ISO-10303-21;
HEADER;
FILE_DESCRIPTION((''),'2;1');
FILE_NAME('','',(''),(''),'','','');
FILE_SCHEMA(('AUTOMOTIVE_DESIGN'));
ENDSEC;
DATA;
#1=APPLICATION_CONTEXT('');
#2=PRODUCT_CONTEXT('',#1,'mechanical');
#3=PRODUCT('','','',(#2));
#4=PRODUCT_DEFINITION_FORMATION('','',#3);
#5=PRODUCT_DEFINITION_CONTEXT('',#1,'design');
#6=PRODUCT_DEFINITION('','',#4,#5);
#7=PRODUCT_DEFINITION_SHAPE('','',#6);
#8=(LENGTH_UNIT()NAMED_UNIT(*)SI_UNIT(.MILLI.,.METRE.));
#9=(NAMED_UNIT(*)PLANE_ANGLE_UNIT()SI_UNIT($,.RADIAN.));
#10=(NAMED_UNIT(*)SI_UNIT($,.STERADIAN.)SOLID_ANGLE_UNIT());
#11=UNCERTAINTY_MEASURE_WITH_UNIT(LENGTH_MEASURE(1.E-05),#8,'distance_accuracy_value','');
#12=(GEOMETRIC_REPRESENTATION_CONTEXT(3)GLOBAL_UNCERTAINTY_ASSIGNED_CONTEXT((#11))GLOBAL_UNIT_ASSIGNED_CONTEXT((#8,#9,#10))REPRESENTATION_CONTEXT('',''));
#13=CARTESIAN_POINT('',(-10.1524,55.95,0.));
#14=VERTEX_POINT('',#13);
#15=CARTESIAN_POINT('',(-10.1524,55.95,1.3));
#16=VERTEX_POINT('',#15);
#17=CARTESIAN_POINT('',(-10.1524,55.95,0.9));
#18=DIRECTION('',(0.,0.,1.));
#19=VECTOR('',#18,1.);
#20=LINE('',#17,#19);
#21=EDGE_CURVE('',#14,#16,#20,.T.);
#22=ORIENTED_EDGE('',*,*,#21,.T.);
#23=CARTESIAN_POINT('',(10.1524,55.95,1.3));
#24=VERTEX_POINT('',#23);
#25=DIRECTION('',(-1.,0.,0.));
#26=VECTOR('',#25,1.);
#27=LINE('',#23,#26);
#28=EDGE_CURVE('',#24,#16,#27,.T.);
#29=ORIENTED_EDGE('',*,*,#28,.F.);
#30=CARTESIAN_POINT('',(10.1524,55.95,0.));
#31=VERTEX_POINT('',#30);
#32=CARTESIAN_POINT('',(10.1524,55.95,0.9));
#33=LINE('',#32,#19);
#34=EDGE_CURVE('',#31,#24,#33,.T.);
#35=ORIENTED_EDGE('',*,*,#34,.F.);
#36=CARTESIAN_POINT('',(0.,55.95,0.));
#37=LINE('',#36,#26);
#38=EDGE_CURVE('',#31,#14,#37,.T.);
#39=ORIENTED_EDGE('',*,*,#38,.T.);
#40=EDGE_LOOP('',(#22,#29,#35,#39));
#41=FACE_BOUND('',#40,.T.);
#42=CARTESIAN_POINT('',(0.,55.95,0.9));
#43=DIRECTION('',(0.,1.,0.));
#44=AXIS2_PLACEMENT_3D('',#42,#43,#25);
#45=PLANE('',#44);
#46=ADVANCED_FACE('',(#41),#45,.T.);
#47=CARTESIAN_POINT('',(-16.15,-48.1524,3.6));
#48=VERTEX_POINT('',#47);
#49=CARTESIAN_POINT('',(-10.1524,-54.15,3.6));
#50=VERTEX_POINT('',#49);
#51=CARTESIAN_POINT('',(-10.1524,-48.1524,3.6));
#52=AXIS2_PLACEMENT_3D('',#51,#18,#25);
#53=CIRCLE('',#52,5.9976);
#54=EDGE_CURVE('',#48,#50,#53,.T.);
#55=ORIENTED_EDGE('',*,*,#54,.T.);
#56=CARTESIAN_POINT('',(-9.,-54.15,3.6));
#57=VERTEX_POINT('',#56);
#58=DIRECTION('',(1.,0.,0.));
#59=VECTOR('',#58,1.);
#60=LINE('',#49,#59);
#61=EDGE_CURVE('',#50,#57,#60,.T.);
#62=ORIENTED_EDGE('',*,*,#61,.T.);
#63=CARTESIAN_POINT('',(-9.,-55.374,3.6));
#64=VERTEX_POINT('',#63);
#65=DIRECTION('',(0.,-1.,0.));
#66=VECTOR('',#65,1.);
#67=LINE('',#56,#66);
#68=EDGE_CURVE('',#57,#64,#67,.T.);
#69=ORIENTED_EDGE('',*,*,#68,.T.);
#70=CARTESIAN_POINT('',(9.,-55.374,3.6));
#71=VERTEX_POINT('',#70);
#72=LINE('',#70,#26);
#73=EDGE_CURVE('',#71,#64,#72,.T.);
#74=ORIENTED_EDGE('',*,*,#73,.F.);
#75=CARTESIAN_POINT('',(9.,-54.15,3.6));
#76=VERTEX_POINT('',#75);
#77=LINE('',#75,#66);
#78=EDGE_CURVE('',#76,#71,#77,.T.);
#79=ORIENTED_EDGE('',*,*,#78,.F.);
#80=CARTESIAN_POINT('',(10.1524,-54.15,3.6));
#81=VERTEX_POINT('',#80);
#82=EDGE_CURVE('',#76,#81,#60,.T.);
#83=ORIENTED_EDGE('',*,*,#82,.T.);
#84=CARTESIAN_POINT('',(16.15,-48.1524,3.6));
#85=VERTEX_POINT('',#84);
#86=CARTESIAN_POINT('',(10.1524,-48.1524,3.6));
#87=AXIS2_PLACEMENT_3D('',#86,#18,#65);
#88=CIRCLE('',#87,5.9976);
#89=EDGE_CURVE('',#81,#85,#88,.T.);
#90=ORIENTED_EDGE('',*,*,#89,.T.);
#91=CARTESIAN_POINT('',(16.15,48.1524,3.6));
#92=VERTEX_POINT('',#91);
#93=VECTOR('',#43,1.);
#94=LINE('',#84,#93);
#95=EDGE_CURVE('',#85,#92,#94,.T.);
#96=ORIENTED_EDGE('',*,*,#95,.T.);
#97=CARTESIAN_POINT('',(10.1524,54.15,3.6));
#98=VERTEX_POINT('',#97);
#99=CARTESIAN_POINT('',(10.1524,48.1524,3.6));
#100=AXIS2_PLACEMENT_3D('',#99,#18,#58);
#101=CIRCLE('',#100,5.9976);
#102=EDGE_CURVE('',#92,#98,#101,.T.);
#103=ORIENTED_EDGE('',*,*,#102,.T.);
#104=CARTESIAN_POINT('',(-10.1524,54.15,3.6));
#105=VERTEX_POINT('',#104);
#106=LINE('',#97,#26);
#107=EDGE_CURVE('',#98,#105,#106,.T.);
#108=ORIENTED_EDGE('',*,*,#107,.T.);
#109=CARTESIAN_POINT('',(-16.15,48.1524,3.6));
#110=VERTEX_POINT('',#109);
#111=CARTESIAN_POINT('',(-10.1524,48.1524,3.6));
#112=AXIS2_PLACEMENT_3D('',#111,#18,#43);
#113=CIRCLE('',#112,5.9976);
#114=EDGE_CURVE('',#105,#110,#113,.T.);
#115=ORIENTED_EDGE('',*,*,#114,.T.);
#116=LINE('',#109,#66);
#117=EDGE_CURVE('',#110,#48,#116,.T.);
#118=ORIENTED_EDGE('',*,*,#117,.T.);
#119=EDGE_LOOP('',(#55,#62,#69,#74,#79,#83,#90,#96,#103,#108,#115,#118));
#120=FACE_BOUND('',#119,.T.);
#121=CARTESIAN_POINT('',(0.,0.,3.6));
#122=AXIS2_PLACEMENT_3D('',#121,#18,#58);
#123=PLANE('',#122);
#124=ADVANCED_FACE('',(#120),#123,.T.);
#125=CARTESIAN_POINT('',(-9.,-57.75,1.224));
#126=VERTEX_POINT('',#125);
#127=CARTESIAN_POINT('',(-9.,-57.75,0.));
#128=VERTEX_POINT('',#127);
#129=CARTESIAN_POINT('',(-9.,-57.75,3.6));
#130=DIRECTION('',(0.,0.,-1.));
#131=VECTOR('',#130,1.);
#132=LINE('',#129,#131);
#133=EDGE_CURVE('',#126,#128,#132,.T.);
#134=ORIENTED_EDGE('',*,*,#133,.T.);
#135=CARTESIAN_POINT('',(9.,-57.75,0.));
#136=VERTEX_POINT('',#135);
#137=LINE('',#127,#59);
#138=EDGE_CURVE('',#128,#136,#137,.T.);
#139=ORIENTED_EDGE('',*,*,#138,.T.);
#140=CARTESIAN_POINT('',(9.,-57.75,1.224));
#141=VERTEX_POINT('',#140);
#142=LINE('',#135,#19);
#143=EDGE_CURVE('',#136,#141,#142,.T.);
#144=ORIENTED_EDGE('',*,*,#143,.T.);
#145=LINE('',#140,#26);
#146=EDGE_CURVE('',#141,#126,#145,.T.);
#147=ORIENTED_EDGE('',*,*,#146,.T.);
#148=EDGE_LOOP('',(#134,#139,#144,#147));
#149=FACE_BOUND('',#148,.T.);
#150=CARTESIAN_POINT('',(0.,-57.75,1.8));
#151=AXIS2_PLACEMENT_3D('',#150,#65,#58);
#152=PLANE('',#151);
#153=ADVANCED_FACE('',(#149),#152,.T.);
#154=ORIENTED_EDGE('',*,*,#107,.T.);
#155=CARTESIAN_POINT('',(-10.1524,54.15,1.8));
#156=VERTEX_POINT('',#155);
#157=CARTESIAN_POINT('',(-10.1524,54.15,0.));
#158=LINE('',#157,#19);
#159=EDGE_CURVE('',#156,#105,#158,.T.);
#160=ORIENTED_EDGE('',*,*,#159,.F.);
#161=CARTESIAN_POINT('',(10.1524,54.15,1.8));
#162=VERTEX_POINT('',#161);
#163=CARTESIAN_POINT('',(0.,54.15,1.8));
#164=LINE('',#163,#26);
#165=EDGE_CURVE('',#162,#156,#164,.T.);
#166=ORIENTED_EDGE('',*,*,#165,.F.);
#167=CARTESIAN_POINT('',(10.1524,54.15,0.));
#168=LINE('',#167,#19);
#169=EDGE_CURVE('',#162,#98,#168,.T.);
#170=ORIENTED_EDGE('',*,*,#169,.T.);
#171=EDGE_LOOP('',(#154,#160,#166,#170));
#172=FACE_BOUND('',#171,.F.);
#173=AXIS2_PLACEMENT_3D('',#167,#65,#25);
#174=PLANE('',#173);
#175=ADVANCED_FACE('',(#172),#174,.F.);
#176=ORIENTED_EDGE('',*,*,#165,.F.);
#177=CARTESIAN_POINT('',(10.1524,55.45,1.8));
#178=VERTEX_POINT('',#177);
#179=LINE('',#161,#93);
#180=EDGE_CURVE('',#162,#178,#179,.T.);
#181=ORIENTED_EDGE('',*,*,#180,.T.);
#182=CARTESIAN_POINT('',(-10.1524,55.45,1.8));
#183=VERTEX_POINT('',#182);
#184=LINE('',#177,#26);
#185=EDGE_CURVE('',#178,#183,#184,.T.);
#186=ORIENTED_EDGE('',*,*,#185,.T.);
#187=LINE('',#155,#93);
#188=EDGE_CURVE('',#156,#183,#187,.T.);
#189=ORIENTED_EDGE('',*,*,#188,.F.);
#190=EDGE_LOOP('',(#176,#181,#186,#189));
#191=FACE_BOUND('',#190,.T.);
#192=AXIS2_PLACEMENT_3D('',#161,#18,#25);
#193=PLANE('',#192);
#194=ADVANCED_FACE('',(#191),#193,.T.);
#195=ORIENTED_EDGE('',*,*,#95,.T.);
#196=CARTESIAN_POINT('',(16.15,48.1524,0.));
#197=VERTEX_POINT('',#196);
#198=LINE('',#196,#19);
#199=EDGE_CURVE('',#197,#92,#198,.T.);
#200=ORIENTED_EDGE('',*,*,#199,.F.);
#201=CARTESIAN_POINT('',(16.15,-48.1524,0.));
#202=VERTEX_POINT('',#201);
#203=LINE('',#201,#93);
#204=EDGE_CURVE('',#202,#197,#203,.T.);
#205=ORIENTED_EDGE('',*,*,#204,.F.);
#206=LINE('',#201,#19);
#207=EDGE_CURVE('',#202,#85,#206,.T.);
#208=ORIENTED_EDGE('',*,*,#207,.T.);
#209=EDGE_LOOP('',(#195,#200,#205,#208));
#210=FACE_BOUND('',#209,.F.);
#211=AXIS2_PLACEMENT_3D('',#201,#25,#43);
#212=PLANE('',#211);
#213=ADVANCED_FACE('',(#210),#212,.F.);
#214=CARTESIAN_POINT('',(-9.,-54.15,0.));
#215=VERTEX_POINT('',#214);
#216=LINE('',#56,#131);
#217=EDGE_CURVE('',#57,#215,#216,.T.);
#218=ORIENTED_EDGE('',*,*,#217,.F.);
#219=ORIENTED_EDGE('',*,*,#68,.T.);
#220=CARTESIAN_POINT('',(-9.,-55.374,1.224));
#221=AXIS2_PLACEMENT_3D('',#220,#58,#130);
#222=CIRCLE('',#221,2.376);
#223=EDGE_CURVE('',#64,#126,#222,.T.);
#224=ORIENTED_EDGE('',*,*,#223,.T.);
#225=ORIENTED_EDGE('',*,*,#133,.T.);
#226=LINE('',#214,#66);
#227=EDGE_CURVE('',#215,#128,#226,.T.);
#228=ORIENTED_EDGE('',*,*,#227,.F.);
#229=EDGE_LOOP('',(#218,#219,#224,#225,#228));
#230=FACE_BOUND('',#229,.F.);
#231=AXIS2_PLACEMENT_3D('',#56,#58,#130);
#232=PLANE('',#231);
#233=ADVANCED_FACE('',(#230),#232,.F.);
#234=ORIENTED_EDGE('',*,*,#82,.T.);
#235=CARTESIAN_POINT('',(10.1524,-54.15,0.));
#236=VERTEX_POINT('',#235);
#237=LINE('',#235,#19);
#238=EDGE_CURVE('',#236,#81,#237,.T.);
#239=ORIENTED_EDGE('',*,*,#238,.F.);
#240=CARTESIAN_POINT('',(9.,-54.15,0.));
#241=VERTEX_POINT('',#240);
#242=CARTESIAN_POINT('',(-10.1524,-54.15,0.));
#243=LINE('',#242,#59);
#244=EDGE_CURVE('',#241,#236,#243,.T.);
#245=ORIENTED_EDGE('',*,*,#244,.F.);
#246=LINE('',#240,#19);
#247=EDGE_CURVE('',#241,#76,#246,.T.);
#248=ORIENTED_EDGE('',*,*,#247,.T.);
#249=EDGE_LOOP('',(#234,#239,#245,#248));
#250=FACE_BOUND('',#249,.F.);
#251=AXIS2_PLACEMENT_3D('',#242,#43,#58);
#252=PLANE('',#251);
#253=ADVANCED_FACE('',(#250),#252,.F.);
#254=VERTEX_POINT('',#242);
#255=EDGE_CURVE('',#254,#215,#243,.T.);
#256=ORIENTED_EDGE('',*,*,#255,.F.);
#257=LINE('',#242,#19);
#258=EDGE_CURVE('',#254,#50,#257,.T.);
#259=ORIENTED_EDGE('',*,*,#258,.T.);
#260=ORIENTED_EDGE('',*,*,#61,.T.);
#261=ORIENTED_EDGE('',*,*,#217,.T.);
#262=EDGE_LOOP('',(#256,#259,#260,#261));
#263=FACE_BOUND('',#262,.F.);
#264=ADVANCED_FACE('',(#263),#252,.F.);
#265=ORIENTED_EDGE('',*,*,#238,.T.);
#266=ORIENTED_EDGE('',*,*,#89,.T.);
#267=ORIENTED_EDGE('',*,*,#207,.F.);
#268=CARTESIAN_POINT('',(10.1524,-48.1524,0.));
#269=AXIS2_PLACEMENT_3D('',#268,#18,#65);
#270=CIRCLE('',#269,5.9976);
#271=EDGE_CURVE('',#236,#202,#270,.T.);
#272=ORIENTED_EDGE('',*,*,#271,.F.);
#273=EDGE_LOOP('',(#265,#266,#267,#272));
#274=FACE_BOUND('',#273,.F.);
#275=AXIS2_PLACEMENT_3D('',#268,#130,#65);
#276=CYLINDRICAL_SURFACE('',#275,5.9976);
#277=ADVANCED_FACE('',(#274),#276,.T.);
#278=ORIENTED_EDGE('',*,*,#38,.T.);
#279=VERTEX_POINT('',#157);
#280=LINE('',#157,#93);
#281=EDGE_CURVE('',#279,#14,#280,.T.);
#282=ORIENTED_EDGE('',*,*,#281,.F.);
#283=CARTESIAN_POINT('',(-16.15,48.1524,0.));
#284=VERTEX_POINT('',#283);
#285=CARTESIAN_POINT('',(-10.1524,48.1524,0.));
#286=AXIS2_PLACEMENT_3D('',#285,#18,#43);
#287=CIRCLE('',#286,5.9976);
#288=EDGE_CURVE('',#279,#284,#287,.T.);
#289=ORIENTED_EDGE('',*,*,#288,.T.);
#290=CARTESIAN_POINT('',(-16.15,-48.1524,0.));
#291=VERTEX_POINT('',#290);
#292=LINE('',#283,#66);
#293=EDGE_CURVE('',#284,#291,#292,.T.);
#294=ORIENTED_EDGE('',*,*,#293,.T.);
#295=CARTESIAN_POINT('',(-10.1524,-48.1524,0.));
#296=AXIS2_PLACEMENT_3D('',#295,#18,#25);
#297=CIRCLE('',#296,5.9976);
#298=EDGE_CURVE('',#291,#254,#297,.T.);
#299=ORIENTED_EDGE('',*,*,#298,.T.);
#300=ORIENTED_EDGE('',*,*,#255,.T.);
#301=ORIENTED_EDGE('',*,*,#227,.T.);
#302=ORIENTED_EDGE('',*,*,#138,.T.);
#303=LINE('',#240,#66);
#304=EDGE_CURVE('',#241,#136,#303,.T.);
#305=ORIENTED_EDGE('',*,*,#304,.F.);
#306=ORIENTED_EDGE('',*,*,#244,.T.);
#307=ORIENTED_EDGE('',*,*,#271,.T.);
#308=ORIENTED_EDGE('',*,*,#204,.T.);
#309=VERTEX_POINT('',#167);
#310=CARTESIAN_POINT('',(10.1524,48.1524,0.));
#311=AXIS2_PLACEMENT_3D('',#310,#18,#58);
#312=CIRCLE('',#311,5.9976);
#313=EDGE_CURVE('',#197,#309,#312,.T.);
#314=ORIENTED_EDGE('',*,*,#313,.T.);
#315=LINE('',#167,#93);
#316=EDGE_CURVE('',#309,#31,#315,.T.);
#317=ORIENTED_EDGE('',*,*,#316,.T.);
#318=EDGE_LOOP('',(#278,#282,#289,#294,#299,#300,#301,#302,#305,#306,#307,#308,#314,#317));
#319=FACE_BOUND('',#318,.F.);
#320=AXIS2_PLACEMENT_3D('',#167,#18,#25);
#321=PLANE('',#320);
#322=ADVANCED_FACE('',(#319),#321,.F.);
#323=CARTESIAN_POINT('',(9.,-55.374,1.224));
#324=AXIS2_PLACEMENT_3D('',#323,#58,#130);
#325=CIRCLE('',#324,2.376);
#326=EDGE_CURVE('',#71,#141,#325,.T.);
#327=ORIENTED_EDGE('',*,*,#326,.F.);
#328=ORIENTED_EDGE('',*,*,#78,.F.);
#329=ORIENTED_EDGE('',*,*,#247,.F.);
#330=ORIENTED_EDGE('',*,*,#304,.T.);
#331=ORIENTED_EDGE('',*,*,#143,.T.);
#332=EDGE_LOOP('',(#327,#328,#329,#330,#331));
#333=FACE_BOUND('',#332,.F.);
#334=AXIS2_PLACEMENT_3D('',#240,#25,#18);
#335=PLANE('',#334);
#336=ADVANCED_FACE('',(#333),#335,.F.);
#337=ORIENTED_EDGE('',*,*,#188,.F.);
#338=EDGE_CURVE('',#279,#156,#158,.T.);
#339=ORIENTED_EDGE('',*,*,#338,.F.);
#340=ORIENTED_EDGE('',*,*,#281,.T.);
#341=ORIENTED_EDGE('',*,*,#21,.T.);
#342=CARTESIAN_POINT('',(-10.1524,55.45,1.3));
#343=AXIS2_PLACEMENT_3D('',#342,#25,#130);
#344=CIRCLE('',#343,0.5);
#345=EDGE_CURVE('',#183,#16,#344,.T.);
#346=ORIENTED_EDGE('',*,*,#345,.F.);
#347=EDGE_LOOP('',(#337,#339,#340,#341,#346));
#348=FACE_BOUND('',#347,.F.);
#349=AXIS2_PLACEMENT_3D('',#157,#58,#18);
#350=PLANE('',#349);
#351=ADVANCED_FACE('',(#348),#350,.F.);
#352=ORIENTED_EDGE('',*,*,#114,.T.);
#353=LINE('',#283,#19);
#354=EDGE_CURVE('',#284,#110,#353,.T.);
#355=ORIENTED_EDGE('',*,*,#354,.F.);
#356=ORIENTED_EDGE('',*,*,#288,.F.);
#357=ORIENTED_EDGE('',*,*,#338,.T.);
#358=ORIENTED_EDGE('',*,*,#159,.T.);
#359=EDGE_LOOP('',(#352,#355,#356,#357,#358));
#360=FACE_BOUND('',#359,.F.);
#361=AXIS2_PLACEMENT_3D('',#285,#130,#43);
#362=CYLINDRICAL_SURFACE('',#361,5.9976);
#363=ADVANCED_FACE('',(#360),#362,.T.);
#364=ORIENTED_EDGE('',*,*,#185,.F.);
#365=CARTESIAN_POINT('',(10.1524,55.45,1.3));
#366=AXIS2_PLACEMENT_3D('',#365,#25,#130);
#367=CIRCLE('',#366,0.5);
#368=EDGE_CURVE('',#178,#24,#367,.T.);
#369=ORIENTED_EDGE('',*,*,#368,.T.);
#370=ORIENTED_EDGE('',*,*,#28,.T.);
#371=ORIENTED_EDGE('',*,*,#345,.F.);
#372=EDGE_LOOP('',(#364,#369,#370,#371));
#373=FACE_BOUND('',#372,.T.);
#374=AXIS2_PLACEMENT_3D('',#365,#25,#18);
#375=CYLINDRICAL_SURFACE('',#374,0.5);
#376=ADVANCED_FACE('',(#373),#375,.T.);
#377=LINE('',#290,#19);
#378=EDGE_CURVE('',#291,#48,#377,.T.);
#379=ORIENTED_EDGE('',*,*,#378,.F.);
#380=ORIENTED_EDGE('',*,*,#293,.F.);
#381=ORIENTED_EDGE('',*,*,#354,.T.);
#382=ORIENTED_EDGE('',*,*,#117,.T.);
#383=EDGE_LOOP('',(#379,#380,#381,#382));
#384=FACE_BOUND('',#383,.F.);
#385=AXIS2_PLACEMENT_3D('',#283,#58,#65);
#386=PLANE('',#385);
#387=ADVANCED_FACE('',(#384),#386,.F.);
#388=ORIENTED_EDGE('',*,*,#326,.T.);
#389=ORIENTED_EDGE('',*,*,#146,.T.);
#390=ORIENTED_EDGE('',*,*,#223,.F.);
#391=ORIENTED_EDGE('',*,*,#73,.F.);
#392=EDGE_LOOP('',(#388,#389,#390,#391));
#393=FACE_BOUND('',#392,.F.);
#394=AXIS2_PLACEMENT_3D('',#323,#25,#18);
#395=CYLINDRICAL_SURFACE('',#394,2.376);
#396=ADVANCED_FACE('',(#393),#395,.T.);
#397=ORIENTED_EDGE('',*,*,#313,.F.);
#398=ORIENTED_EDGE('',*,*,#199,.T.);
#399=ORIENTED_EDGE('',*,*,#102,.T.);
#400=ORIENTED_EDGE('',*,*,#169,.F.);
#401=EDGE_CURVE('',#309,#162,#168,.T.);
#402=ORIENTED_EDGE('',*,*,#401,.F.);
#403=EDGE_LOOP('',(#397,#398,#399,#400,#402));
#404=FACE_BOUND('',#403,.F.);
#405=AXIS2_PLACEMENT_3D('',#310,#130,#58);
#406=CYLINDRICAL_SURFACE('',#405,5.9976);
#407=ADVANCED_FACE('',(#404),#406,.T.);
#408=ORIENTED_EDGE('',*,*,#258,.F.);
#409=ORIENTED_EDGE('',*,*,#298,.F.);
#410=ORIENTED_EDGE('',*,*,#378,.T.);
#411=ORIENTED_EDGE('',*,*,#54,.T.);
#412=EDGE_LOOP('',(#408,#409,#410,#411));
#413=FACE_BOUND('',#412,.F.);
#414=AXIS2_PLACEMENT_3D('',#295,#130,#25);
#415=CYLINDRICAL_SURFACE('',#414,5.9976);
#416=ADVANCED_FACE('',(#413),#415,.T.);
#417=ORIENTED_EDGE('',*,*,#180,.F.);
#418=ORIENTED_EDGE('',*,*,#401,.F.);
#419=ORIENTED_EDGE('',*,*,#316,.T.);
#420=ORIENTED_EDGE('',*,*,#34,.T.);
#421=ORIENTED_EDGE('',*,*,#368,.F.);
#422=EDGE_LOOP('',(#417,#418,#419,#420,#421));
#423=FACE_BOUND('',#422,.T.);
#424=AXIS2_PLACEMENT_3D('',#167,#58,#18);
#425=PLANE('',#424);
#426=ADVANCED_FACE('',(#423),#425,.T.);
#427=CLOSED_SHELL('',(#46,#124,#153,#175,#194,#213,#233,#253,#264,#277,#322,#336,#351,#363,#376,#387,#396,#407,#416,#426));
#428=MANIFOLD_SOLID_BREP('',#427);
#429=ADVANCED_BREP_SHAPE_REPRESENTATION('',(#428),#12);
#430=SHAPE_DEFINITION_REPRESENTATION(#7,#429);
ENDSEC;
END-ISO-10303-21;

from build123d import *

# Parameters (mm, degrees)
F2_DEPTH = 3.6
F4_DEPTH = 3.6
F5_W     = 20.3048
F5_H     = 1.8
F6_DEPTH = 1.8
F7_R     = 2.376
F8_R     = 0.5


with BuildPart() as f2:
    # F1 (on Top) → F2 (new body)
    with BuildSketch(Plane.XY):
        with BuildLine():
            Line((-10.1524, -54.15), (10.1524, -54.15))
            ThreePointArc((10.1524, -54.15), (14.3933436308, -52.3933436308), (16.15, -48.1524))
            Line((16.15, -48.1524), (16.15, 48.1524))
            ThreePointArc((16.15, 48.1524), (14.3933436308, 52.3933436308), (10.1524, 54.15))
            Line((10.1524, 54.15), (-10.1524, 54.15))
            ThreePointArc((-10.1524, 54.15), (-14.3933436308, 52.3933436308), (-16.15, 48.1524))
            Line((-16.15, 48.1524), (-16.15, -48.1524))
            ThreePointArc((-16.15, -48.1524), (-14.3933436308, -52.3933436308), (-10.1524, -54.15))
        make_face()
    extrude(amount=F2_DEPTH)

    # F3 (on face) → F4 (join)
    with BuildSketch(Plane.XZ.offset(54.15)):
        Polygon((9, 3.6), (-9, 3.6), (-9, 1.8), (-9, 0), (9, 0), (9, 1.8), align=None)
    extrude(amount=F4_DEPTH)

    # F5 (on face) → F6 (join)
    with BuildSketch(Plane(origin=(0, 54.15, 0), x_dir=(-1, 0, 0), z_dir=(0, 1, 0))):
        with Locations((0, 0.9)):
            Rectangle(F5_W, F5_H)
    extrude(amount=F6_DEPTH)

    # F7
    f7_edges = [f2.edges().sort_by_distance(p)[0] for p in [
        (0, -57.75, 3.6),
    ]]
    fillet(f7_edges, radius=F7_R)

    # F8
    f8_edges = [f2.edges().sort_by_distance(p)[0] for p in [
        (0, 55.95, 1.8),
    ]]
    fillet(f8_edges, radius=F8_R)


solid = f2.part
